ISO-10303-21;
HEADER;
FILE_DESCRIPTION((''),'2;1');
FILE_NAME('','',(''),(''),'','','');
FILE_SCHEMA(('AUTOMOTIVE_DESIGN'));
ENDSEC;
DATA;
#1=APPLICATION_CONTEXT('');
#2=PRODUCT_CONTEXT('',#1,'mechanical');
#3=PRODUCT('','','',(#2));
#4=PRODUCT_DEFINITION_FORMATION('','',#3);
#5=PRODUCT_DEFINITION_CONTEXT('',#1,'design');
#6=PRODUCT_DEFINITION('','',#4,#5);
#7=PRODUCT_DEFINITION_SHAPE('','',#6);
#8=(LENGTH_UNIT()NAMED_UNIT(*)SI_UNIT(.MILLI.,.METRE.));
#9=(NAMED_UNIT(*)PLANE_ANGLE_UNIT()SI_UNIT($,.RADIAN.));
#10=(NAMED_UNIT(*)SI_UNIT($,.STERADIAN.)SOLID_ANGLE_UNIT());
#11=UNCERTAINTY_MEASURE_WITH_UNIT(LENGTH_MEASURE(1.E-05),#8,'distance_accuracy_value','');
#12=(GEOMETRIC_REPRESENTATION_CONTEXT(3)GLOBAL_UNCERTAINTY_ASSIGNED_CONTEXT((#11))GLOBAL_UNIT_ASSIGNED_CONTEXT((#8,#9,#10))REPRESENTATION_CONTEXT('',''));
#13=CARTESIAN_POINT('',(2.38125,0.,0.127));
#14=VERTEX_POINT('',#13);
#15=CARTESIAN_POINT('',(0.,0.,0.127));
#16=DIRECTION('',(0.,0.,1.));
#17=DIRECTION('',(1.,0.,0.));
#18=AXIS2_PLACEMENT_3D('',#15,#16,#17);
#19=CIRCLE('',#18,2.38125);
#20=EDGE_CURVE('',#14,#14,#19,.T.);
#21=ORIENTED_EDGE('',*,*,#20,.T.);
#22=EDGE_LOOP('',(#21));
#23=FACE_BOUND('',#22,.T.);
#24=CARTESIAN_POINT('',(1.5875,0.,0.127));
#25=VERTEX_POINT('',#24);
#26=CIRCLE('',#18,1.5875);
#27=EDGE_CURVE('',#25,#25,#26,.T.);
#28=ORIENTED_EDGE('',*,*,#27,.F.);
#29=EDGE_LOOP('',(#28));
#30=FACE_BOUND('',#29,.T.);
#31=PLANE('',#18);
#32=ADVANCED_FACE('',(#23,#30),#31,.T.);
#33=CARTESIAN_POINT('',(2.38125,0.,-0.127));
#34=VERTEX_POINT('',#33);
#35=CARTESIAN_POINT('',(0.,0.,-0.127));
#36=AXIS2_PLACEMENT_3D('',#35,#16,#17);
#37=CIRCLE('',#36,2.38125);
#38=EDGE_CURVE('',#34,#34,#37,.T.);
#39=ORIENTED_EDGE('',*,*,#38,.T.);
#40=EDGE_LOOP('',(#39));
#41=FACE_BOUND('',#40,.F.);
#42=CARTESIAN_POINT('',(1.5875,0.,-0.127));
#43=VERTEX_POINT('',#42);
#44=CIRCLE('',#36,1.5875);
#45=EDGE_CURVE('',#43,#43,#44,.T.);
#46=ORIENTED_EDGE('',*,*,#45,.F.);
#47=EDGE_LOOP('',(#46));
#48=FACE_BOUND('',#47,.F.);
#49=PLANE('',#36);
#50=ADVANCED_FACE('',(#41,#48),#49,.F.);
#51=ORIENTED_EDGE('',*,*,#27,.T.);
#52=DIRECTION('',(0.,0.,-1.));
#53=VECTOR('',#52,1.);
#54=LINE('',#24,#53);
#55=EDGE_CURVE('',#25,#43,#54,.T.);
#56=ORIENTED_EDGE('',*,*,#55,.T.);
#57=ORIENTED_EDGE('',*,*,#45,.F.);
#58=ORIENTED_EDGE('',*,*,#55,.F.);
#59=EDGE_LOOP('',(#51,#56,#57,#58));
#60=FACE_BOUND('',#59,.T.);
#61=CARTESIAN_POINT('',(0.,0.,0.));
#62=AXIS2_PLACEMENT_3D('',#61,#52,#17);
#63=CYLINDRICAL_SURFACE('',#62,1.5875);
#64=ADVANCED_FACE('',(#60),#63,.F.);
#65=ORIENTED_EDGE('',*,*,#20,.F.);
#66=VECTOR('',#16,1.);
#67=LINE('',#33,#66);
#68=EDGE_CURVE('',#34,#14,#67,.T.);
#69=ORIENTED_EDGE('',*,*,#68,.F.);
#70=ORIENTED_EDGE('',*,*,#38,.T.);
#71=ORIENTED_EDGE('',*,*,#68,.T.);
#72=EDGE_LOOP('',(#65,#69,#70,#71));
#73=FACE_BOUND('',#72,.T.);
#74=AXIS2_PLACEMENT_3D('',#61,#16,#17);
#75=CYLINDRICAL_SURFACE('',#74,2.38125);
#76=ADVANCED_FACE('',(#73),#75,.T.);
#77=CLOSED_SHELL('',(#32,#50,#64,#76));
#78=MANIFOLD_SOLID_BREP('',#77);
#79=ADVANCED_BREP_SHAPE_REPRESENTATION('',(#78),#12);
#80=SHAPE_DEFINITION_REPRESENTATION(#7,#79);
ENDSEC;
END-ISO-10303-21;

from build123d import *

# Parameters (mm, degrees)
SKETCH1_R           = 2.38125
SKETCH1_R_2         = 1.5875
BOSS_EXTRUDE1_DEPTH = 0.127


with BuildPart() as part:
    # Sketch1 → Boss-Extrude1 (new body, symmetric)
    with BuildSketch(Plane.XY):
        Circle(SKETCH1_R)
        Circle(SKETCH1_R_2, mode=Mode.SUBTRACT)
    extrude(amount=BOSS_EXTRUDE1_DEPTH, both=True)


solid = part.part
